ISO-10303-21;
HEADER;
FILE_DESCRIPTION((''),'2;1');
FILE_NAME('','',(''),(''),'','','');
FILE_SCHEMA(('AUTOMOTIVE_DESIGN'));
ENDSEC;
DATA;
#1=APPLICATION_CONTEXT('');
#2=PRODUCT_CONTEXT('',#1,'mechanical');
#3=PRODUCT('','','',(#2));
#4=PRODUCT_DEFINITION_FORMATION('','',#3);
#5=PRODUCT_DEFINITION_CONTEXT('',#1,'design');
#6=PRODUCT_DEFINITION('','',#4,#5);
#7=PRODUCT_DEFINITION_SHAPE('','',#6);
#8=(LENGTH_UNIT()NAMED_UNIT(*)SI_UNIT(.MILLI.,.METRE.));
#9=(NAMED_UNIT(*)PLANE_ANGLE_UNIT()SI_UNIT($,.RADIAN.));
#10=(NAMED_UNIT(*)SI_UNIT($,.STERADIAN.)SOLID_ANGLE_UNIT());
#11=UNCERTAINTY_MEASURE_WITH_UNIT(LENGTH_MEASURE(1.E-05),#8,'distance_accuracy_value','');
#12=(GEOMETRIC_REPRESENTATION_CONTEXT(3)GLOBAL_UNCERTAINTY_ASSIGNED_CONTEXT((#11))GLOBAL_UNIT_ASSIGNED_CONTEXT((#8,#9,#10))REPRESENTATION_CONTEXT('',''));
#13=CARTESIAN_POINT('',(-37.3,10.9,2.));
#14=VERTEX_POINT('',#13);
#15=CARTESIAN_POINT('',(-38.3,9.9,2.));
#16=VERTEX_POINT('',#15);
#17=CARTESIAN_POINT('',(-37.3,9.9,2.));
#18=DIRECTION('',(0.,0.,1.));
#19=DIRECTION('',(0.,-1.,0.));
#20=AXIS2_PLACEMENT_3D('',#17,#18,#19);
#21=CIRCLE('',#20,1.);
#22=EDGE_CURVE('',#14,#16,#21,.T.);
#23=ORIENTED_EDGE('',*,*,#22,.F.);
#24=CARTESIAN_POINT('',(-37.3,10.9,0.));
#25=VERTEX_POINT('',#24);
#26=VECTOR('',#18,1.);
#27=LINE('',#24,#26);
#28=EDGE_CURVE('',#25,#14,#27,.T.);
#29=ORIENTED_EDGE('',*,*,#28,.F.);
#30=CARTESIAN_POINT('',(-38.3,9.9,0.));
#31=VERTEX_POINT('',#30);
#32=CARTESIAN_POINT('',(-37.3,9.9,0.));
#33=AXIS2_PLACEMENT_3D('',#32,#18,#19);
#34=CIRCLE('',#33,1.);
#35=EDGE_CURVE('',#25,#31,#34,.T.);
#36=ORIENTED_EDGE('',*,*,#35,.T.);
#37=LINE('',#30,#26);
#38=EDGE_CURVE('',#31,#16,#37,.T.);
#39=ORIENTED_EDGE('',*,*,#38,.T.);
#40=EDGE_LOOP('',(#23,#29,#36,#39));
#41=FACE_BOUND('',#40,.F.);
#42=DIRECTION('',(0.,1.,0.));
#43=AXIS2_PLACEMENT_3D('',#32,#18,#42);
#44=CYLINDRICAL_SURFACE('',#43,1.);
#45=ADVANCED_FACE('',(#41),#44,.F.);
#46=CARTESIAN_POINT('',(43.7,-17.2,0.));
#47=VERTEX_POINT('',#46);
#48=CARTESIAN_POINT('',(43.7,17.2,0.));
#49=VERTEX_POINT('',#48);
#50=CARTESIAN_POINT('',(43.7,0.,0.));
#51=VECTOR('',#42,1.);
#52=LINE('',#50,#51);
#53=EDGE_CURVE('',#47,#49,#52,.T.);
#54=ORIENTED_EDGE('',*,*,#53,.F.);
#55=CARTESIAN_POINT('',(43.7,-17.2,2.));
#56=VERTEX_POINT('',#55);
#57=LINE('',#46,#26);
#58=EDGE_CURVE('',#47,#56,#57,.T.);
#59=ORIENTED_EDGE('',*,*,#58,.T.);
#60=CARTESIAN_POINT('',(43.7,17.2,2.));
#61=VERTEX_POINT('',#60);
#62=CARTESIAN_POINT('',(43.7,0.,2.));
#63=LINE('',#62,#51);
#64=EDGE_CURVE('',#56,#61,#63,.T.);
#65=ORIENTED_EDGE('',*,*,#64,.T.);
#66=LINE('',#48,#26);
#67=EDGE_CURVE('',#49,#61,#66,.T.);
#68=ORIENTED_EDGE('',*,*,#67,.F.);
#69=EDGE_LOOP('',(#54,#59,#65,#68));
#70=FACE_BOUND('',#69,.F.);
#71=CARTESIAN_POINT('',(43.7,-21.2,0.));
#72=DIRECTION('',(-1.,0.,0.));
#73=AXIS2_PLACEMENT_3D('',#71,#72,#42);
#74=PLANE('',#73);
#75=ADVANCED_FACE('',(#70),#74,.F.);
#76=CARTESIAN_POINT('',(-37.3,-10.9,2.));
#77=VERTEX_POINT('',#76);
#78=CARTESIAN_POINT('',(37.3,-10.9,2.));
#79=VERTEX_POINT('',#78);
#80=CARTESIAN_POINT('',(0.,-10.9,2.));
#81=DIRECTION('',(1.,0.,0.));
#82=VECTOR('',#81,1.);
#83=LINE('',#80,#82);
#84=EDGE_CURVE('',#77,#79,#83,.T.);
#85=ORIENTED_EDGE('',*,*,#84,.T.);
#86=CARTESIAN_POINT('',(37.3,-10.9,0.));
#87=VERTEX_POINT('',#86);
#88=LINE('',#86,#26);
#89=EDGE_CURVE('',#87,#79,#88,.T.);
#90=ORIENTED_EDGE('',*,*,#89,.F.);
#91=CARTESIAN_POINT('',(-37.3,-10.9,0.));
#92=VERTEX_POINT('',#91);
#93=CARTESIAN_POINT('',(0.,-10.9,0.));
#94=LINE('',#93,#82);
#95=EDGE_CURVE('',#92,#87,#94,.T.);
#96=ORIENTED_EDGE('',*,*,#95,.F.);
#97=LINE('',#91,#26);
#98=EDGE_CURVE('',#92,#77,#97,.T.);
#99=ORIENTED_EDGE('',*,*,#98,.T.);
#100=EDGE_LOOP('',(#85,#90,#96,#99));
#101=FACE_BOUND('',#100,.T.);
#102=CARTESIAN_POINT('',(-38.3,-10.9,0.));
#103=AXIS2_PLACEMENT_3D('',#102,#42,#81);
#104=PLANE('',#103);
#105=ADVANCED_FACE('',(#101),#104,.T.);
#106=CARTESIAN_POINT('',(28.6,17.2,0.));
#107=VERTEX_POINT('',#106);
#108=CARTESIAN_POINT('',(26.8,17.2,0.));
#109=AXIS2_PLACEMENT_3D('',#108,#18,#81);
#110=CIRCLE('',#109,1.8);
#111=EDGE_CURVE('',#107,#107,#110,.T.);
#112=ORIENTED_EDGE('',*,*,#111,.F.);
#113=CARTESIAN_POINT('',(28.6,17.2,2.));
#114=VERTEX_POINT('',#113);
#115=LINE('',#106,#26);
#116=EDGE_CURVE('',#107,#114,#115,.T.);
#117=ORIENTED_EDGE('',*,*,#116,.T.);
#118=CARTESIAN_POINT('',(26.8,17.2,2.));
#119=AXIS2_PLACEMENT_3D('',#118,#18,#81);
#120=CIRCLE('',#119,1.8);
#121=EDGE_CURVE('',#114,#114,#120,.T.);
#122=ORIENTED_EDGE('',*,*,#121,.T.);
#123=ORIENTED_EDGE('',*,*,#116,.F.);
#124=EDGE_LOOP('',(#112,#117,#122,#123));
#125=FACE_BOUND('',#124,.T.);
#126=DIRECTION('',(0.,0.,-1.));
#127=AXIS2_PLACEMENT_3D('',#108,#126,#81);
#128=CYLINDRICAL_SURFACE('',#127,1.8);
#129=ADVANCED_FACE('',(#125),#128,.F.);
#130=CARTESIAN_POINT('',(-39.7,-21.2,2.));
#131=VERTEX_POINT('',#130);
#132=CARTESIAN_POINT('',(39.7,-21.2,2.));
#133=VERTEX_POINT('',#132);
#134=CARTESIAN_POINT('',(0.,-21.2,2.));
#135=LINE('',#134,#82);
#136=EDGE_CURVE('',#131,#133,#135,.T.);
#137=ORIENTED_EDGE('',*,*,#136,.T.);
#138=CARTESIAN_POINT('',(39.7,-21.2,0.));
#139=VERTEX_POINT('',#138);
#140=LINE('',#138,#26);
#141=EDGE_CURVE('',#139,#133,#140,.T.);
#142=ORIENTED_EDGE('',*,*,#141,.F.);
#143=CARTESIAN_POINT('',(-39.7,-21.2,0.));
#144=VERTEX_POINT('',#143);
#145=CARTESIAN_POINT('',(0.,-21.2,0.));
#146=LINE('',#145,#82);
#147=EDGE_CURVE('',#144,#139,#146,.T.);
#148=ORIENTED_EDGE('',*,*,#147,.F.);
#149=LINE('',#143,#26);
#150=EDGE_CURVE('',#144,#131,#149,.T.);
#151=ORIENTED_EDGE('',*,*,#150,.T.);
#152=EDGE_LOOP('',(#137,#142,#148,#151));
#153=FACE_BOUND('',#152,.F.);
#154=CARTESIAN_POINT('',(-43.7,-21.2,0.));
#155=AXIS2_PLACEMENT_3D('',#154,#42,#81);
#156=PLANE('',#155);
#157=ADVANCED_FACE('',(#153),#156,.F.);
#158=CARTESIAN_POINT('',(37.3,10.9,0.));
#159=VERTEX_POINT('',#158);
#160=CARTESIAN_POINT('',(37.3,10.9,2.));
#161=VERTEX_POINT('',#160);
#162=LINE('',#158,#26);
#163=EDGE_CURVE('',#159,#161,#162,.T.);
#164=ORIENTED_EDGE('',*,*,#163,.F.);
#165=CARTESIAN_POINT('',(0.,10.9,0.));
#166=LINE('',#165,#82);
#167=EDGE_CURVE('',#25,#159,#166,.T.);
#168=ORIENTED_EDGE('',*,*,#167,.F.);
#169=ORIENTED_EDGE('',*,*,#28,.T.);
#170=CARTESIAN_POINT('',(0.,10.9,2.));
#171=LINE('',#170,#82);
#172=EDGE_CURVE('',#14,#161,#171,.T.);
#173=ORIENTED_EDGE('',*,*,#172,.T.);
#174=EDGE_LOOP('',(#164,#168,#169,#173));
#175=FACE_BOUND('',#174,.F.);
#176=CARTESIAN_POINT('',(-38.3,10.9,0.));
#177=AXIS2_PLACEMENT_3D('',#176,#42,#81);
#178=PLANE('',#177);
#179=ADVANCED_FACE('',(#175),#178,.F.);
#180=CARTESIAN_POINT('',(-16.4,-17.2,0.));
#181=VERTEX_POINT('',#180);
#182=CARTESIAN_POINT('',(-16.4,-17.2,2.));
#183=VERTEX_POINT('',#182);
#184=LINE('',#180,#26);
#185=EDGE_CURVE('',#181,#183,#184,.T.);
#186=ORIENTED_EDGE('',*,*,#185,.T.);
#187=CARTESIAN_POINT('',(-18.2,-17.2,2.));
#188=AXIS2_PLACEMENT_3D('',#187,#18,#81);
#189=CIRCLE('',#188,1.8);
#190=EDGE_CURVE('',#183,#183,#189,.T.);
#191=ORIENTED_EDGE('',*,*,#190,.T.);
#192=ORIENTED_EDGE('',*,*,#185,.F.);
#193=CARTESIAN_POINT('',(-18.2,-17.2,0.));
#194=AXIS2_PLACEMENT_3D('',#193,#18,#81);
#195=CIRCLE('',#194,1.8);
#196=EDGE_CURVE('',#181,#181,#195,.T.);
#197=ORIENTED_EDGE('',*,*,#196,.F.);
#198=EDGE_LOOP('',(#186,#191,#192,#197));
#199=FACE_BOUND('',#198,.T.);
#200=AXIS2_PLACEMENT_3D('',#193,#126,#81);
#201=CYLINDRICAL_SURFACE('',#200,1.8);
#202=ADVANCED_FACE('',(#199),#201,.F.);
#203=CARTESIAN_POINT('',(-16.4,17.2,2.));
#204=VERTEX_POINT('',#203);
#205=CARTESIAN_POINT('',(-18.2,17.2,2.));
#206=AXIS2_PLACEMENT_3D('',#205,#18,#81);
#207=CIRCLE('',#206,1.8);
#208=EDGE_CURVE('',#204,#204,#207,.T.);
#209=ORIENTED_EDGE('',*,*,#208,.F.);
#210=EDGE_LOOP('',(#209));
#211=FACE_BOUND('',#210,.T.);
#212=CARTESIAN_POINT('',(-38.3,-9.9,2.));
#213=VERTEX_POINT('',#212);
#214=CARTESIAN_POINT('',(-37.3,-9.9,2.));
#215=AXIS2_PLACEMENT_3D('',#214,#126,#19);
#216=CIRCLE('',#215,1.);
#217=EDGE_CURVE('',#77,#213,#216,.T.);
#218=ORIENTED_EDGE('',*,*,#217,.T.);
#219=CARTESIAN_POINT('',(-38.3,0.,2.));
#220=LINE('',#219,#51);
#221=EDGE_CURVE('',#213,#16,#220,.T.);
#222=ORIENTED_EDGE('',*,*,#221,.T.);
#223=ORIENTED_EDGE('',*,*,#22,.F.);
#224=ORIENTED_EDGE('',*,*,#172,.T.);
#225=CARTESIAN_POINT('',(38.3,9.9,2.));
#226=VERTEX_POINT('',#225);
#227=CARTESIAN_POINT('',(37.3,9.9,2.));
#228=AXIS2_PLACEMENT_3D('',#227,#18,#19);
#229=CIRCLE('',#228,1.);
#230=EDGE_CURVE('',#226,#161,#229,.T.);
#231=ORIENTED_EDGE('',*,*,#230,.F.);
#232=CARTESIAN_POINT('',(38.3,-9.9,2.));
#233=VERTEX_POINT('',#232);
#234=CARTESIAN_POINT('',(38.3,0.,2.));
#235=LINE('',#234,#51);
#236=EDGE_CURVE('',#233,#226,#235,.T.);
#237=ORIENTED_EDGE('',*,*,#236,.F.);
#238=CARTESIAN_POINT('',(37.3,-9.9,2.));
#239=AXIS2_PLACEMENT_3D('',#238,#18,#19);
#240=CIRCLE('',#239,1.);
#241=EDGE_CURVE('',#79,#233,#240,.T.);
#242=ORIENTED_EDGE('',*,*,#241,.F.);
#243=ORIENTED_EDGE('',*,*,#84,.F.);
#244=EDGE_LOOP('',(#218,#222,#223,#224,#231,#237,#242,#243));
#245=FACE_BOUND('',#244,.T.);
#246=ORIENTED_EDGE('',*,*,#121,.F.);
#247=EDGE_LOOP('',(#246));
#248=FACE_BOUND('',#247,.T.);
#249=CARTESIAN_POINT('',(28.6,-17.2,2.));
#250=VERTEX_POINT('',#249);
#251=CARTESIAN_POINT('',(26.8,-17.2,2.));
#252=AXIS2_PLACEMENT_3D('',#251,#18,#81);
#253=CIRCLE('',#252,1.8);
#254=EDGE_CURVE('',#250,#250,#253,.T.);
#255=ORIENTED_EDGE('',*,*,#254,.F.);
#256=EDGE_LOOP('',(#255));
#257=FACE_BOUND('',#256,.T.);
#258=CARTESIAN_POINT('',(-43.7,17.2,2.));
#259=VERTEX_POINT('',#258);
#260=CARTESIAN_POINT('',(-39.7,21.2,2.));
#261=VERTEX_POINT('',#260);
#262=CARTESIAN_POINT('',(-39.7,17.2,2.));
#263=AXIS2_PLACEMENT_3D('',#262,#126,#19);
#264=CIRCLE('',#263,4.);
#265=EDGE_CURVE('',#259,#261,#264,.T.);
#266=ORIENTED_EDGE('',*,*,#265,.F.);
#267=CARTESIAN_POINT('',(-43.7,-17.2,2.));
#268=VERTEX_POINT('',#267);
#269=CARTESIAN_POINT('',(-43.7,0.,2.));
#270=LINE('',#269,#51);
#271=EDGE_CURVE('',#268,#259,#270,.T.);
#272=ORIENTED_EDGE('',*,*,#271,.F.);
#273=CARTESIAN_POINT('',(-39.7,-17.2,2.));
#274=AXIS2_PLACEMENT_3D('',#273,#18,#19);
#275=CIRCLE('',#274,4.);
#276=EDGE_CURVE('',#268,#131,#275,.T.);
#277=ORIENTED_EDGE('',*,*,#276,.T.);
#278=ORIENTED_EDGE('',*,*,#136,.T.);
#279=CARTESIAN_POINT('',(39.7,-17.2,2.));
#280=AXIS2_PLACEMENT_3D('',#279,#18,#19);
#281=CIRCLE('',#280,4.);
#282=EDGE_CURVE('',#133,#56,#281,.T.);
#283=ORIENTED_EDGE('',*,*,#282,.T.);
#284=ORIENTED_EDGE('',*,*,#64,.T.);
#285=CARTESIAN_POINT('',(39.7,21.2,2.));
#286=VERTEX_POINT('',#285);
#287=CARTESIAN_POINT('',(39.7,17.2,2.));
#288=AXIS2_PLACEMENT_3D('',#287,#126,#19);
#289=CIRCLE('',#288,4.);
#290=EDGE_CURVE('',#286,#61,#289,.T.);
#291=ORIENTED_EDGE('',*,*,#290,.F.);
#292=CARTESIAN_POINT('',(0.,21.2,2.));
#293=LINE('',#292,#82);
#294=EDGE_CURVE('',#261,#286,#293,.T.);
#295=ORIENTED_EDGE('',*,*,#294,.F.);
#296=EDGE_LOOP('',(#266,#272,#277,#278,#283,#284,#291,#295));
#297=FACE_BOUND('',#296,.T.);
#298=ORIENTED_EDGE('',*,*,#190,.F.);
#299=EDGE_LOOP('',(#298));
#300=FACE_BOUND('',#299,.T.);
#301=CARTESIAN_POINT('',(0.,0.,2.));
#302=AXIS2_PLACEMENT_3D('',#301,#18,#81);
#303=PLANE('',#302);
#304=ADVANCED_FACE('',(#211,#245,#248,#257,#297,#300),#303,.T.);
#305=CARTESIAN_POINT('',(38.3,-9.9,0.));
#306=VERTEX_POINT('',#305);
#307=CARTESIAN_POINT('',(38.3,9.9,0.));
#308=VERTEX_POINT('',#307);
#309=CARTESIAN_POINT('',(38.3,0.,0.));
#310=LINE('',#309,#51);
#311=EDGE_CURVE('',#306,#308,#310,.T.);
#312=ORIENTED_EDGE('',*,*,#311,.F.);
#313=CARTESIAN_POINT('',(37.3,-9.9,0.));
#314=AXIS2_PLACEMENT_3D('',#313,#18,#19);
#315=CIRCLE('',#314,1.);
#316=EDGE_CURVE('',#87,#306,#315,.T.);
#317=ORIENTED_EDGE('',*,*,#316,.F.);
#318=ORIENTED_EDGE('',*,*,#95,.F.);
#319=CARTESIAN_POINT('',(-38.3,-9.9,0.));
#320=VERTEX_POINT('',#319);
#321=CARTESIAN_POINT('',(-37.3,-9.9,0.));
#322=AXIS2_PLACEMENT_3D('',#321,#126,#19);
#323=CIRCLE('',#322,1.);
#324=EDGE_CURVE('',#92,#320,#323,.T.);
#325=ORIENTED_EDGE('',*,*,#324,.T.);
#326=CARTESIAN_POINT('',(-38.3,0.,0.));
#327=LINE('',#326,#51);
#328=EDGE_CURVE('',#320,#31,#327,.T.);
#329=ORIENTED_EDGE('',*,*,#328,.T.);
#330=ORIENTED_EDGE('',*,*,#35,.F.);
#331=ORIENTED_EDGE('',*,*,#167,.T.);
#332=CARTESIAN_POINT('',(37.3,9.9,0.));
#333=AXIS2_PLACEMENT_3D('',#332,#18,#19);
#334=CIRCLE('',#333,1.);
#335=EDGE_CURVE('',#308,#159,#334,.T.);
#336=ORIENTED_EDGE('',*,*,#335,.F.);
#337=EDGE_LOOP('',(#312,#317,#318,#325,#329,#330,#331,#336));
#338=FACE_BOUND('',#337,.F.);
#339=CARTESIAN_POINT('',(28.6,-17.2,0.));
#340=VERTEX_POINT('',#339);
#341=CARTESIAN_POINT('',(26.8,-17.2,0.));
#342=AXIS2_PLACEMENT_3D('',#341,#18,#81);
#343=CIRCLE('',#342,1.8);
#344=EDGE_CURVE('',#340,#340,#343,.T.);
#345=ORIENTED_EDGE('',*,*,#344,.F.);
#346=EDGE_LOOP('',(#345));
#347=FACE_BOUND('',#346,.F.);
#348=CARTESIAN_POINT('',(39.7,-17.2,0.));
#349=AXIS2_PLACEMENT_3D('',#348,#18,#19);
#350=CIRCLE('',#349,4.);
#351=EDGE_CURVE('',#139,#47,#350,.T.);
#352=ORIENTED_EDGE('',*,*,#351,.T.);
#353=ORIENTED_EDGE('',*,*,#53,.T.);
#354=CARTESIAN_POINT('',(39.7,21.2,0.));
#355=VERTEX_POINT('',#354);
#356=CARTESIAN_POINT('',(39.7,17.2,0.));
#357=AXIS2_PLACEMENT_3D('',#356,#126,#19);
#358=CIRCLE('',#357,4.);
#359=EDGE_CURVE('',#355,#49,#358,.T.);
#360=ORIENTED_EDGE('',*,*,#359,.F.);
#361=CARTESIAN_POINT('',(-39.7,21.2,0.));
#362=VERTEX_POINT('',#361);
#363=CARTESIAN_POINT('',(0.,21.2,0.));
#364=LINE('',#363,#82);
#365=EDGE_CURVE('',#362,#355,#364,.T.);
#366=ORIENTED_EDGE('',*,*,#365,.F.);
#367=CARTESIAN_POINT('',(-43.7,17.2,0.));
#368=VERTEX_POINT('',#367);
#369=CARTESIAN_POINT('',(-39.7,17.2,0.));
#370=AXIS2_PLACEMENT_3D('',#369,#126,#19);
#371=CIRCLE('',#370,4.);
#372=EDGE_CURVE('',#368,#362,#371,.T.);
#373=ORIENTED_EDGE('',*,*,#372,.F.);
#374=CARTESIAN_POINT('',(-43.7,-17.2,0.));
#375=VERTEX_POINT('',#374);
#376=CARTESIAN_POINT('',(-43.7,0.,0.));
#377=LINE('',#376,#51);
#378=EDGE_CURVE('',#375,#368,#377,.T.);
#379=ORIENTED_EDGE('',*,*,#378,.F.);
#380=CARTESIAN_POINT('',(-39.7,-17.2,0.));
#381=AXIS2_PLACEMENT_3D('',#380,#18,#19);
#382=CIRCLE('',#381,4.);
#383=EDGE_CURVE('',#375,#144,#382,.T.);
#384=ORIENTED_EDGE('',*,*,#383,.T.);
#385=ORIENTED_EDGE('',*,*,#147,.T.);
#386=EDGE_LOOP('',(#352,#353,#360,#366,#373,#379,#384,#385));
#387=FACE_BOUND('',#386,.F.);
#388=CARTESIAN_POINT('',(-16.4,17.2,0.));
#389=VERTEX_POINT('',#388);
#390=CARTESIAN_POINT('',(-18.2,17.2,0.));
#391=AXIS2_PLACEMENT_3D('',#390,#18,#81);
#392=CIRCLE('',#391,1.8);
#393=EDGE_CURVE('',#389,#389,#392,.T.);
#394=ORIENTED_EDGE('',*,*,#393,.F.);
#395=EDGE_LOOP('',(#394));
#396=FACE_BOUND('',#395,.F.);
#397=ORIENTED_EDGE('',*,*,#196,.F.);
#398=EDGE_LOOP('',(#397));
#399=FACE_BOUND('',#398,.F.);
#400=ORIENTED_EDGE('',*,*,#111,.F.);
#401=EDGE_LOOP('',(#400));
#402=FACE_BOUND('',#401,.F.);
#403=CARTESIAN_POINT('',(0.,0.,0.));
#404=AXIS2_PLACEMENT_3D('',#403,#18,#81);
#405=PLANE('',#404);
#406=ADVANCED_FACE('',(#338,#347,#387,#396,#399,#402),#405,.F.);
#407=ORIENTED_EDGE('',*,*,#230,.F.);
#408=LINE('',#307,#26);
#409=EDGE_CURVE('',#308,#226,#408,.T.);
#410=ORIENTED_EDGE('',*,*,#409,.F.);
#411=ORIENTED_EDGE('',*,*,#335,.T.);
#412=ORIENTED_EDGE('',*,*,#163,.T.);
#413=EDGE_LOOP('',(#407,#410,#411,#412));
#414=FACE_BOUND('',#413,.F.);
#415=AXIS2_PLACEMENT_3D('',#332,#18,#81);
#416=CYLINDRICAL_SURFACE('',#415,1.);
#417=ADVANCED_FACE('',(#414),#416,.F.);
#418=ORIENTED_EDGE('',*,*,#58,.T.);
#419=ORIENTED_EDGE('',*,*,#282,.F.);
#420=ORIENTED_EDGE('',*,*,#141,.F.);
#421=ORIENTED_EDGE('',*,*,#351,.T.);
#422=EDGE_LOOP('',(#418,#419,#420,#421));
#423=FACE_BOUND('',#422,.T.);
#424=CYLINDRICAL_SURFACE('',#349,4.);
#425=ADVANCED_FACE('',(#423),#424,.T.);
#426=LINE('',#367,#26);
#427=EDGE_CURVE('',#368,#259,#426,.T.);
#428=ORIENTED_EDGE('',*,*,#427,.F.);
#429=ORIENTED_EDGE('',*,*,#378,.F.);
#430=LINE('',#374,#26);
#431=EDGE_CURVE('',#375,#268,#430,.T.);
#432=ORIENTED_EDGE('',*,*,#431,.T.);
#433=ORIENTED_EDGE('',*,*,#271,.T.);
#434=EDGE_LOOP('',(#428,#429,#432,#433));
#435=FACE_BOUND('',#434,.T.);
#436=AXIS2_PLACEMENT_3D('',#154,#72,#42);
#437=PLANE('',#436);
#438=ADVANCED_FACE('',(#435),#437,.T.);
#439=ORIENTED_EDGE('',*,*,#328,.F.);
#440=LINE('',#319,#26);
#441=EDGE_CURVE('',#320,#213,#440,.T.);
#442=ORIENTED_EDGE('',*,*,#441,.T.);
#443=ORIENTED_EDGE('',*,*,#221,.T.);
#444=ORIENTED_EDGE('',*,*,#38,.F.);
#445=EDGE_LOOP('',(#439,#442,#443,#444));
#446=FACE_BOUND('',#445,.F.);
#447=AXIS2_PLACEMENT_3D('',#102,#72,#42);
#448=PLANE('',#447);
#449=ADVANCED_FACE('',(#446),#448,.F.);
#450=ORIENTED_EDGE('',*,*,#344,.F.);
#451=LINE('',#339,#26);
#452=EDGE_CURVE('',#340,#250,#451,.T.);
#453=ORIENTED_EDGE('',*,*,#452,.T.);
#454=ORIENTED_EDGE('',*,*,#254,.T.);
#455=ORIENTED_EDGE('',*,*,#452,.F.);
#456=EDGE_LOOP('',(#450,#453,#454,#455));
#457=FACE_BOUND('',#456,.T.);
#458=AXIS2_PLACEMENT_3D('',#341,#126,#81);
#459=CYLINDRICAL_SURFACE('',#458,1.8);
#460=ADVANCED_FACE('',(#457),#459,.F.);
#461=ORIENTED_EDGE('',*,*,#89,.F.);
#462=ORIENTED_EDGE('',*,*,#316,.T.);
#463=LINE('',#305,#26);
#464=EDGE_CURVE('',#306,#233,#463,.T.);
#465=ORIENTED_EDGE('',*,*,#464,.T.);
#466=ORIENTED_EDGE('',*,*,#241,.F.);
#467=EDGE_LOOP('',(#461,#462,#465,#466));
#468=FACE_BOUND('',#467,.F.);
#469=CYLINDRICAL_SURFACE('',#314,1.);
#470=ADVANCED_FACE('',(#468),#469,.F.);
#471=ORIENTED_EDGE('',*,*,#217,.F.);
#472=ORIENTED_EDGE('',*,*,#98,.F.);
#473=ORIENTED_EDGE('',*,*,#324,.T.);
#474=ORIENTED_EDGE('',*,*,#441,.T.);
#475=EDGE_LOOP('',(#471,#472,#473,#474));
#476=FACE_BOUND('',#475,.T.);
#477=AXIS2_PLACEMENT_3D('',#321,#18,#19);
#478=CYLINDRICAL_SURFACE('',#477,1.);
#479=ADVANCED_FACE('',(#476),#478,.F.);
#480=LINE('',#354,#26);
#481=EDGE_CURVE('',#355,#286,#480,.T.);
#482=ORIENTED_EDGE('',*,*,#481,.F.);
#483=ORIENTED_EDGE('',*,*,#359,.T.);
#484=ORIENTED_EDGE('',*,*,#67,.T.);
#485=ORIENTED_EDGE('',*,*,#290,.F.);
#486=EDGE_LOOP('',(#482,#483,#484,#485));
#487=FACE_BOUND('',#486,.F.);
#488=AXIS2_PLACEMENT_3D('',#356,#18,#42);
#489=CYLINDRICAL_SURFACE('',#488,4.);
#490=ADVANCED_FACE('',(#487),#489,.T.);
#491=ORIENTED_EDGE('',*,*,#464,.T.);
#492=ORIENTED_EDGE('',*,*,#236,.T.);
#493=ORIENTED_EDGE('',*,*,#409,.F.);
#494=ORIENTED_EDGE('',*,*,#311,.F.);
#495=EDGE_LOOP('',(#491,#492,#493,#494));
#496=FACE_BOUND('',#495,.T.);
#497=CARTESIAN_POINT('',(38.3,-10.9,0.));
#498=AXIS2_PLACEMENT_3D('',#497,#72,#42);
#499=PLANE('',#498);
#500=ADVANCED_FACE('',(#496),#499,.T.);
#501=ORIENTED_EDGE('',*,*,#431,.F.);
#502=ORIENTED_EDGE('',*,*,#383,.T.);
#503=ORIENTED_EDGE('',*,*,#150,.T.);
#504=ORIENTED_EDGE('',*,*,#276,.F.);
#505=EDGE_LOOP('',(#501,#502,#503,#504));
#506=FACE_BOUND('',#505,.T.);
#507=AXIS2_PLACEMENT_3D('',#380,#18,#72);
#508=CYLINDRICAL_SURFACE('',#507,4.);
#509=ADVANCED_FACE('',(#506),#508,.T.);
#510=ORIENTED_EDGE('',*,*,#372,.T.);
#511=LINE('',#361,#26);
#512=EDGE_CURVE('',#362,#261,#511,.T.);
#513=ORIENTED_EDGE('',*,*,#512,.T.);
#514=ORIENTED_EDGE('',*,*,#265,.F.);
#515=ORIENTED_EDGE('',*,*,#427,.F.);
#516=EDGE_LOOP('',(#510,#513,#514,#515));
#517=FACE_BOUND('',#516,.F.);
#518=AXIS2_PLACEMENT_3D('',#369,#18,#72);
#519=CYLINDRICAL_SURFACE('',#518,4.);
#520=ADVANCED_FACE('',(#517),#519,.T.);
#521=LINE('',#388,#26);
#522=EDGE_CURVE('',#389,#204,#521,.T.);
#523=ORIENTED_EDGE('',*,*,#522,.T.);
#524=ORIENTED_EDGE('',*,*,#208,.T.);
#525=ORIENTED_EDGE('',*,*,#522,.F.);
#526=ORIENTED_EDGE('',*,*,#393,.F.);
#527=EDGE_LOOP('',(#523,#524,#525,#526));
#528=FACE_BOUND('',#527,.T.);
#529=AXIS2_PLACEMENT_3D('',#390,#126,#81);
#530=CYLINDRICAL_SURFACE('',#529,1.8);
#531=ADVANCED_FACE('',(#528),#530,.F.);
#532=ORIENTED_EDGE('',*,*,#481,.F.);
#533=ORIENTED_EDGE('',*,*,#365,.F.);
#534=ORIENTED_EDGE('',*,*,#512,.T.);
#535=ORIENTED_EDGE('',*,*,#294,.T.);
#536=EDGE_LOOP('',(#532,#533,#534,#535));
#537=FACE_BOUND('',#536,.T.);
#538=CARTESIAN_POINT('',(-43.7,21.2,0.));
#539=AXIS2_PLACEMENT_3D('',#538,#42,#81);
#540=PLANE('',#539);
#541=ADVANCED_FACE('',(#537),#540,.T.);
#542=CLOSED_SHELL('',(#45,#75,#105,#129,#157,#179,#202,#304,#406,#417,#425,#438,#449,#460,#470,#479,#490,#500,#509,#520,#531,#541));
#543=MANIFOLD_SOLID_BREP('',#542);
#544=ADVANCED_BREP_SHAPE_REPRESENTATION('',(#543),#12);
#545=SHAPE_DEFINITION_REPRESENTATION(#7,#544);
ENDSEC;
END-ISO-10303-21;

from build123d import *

# Parameters (mm, degrees)
SKETCH_W    = 87.4
SKETCH_H    = 42.4
SKETCH_R    = 1.8
SKETCH_W_2  = 76.6
SKETCH_H_2  = 21.8
PAD_DEPTH   = 2
FILLET_R    = 4
FILLET001_R = 1


with BuildPart() as part:
    # Sketch → Pad (new body)
    with BuildSketch(Plane.XY):
        Rectangle(SKETCH_W, SKETCH_H)
        with Locations((-18.2, 17.2)):
            Circle(SKETCH_R, mode=Mode.SUBTRACT)
        with Locations((-18.2, -17.2)):
            Circle(SKETCH_R, mode=Mode.SUBTRACT)
        with Locations((26.8, -17.2)):
            Circle(SKETCH_R, mode=Mode.SUBTRACT)
        with Locations((26.8, 17.2)):
            Circle(SKETCH_R, mode=Mode.SUBTRACT)
        Rectangle(SKETCH_W_2, SKETCH_H_2, mode=Mode.SUBTRACT)
    extrude(amount=PAD_DEPTH)

    # Fillet
    fillet_edges = [part.edges().sort_by_distance(p)[0] for p in [
        (43.7, -21.2, 1),
        (-43.7, -21.2, 1),
        (43.7, 21.2, 1),
        (-43.7, 21.2, 1),
    ]]
    fillet(fillet_edges, radius=FILLET_R)

    # Fillet001
    fillet001_edges = [part.edges().sort_by_distance(p)[0] for p in [
        (38.3, 10.9, 1),
        (38.3, -10.9, 1),
        (-38.3, -10.9, 1),
        (-38.3, 10.9, 1),
    ]]
    fillet(fillet001_edges, radius=FILLET001_R)


solid = part.part
